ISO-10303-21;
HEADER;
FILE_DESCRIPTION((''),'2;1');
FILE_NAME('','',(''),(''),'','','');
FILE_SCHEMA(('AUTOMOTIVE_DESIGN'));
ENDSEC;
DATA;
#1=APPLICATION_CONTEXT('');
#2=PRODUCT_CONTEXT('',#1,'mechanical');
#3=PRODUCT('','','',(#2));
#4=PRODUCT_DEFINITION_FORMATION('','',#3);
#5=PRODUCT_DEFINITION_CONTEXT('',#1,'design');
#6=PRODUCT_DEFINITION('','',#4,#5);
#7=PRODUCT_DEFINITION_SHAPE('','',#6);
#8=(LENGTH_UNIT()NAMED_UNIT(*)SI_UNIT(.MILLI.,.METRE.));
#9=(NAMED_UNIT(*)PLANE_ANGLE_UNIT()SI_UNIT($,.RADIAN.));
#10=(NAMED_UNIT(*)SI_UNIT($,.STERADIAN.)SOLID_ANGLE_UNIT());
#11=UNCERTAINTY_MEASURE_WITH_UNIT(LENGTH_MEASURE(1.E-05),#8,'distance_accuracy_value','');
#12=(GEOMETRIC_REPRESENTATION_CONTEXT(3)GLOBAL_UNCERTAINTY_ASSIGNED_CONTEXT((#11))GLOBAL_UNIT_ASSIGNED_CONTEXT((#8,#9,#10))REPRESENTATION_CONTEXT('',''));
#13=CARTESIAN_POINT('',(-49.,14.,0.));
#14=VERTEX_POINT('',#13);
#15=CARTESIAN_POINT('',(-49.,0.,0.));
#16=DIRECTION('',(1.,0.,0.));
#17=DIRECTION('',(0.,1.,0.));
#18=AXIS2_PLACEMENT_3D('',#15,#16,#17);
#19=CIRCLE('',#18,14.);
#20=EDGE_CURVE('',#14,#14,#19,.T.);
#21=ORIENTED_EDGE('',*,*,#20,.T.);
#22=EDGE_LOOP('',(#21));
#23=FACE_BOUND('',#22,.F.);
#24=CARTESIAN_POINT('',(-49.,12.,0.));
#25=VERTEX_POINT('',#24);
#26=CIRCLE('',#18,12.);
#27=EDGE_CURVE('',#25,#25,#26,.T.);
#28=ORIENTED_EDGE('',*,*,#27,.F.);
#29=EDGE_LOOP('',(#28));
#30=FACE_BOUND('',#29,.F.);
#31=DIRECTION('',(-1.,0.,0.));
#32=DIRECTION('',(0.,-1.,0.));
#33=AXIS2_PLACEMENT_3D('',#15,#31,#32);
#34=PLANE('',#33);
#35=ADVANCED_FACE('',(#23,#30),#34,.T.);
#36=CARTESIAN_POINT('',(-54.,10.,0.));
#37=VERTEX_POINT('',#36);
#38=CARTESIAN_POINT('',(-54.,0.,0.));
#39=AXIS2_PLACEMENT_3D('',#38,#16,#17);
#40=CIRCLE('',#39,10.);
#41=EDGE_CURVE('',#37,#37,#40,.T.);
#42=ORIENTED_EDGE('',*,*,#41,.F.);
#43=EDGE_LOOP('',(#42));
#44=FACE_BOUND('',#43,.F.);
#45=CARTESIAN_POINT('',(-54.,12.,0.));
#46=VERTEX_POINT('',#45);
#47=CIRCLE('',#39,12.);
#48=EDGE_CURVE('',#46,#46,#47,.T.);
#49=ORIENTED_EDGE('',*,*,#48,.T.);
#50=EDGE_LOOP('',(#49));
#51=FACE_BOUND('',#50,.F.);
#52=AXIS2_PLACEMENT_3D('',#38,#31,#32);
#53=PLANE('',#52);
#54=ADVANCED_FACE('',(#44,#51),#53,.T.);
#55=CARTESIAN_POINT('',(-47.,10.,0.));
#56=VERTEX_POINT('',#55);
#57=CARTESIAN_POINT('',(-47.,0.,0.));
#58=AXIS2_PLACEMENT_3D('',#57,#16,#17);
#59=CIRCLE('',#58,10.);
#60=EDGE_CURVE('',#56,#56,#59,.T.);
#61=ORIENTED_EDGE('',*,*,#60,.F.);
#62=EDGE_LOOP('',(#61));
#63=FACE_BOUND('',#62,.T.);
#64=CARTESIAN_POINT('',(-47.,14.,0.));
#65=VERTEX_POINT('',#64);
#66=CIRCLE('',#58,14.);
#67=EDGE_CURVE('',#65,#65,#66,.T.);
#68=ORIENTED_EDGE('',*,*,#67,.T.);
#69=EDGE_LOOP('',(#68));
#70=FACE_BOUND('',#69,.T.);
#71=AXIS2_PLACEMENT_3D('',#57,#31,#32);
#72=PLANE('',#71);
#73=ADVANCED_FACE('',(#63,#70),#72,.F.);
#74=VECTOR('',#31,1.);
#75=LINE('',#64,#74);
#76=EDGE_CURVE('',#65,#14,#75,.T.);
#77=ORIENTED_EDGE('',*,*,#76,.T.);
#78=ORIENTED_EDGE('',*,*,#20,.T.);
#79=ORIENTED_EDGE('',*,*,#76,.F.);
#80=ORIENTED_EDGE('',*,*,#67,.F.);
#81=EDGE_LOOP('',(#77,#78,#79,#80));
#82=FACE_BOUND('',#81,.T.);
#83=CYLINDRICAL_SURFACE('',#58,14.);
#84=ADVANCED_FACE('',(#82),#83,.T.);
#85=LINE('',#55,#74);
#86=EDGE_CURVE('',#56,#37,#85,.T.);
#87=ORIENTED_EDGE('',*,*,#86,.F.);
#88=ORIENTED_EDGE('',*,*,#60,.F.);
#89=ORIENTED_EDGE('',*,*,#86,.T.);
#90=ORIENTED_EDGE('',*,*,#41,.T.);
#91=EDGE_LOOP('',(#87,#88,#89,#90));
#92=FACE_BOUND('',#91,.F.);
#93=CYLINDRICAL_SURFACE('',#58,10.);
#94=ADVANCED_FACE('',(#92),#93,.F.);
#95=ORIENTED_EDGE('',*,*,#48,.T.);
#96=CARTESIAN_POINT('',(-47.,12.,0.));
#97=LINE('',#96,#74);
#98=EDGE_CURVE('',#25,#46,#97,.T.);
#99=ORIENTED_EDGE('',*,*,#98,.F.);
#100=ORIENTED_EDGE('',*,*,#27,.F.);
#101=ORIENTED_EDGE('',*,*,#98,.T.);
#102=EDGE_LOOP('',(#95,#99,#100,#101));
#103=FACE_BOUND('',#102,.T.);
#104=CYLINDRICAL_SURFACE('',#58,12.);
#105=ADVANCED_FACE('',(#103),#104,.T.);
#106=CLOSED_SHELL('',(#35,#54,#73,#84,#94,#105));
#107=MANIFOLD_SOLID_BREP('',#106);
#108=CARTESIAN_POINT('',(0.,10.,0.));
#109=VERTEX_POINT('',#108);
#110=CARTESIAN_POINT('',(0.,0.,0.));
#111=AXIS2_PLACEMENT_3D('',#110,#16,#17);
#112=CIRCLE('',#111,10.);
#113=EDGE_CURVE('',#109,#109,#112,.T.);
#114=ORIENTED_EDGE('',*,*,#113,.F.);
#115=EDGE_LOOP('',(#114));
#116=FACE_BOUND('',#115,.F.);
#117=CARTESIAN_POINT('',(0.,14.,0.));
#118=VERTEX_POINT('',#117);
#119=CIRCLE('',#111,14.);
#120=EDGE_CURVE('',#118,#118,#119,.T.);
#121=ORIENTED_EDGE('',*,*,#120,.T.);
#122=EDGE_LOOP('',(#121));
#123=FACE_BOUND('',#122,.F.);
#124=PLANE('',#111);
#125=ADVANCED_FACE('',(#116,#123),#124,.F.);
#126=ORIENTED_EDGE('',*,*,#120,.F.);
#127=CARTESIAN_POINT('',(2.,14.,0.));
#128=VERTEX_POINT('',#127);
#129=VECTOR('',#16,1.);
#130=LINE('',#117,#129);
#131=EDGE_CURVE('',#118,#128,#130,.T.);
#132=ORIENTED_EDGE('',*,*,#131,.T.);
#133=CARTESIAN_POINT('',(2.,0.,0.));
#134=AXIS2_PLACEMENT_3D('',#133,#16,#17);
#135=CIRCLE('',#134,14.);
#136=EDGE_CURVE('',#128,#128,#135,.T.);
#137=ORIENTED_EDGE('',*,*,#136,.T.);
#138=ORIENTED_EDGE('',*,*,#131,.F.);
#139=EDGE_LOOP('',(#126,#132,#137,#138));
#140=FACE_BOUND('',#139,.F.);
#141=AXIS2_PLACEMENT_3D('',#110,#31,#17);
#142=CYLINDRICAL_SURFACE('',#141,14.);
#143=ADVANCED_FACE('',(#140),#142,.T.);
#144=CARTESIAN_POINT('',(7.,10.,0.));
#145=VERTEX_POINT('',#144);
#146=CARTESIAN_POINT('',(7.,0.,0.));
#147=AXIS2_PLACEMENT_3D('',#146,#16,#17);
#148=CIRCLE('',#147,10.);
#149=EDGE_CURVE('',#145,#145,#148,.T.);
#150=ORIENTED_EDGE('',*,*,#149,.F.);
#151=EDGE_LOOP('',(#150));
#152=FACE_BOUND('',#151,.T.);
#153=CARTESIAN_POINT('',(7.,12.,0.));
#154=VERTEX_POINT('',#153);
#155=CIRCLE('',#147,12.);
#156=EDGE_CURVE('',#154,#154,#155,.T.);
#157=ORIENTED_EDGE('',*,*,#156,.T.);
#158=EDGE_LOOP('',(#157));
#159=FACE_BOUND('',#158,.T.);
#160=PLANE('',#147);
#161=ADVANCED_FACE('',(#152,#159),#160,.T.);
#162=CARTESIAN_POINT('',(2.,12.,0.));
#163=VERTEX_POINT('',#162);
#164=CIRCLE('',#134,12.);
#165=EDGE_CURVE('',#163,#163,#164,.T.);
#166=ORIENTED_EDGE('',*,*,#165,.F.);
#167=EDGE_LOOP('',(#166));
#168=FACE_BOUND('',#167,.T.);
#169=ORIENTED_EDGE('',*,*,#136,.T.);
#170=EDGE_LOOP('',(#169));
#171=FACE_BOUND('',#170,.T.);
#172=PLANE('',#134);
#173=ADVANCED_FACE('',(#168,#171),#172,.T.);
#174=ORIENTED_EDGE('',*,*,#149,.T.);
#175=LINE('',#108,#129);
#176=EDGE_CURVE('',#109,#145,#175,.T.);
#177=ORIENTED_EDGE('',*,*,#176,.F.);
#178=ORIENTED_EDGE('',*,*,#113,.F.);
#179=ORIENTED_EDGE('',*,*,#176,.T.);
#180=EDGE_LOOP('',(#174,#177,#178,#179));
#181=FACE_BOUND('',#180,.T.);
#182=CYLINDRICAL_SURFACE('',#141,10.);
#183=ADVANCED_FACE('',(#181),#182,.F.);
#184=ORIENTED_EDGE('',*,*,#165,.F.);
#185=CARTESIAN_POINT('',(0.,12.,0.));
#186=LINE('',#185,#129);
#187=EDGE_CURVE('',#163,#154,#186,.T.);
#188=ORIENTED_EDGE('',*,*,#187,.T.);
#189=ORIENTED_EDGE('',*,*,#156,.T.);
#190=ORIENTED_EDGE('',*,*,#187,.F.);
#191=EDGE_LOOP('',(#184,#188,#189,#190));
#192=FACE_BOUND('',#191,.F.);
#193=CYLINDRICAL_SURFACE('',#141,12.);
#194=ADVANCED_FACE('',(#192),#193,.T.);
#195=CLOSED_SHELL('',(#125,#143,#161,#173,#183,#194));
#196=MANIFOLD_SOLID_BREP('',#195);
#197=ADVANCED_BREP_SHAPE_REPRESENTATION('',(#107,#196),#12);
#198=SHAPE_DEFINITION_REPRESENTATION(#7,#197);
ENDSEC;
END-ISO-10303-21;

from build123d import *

# Parameters (mm, degrees)
F0_R     = 12
F0_R_2   = 10
F1_DEPTH = 7
F0_R_3   = 14
F2_DEPTH = 2


with BuildPart() as f1:
    # F0 (on Right) → F1 (new body)
    with BuildSketch(Plane.YZ):
        Circle(F0_R)
        Circle(F0_R_2, mode=Mode.SUBTRACT)
    extrude(amount=F1_DEPTH)

    # F0 (on Right) → F2 (join)
    with BuildSketch(Plane.YZ):
        Circle(F0_R_3)
        Circle(F0_R, mode=Mode.SUBTRACT)
    extrude(amount=F2_DEPTH)


with BuildPart() as f4_1:
    # F4: instance of F1
    add(f1.part.mirror(Plane.YZ.offset(-23.5)))


solid = Compound([f1.part, f4_1.part])
